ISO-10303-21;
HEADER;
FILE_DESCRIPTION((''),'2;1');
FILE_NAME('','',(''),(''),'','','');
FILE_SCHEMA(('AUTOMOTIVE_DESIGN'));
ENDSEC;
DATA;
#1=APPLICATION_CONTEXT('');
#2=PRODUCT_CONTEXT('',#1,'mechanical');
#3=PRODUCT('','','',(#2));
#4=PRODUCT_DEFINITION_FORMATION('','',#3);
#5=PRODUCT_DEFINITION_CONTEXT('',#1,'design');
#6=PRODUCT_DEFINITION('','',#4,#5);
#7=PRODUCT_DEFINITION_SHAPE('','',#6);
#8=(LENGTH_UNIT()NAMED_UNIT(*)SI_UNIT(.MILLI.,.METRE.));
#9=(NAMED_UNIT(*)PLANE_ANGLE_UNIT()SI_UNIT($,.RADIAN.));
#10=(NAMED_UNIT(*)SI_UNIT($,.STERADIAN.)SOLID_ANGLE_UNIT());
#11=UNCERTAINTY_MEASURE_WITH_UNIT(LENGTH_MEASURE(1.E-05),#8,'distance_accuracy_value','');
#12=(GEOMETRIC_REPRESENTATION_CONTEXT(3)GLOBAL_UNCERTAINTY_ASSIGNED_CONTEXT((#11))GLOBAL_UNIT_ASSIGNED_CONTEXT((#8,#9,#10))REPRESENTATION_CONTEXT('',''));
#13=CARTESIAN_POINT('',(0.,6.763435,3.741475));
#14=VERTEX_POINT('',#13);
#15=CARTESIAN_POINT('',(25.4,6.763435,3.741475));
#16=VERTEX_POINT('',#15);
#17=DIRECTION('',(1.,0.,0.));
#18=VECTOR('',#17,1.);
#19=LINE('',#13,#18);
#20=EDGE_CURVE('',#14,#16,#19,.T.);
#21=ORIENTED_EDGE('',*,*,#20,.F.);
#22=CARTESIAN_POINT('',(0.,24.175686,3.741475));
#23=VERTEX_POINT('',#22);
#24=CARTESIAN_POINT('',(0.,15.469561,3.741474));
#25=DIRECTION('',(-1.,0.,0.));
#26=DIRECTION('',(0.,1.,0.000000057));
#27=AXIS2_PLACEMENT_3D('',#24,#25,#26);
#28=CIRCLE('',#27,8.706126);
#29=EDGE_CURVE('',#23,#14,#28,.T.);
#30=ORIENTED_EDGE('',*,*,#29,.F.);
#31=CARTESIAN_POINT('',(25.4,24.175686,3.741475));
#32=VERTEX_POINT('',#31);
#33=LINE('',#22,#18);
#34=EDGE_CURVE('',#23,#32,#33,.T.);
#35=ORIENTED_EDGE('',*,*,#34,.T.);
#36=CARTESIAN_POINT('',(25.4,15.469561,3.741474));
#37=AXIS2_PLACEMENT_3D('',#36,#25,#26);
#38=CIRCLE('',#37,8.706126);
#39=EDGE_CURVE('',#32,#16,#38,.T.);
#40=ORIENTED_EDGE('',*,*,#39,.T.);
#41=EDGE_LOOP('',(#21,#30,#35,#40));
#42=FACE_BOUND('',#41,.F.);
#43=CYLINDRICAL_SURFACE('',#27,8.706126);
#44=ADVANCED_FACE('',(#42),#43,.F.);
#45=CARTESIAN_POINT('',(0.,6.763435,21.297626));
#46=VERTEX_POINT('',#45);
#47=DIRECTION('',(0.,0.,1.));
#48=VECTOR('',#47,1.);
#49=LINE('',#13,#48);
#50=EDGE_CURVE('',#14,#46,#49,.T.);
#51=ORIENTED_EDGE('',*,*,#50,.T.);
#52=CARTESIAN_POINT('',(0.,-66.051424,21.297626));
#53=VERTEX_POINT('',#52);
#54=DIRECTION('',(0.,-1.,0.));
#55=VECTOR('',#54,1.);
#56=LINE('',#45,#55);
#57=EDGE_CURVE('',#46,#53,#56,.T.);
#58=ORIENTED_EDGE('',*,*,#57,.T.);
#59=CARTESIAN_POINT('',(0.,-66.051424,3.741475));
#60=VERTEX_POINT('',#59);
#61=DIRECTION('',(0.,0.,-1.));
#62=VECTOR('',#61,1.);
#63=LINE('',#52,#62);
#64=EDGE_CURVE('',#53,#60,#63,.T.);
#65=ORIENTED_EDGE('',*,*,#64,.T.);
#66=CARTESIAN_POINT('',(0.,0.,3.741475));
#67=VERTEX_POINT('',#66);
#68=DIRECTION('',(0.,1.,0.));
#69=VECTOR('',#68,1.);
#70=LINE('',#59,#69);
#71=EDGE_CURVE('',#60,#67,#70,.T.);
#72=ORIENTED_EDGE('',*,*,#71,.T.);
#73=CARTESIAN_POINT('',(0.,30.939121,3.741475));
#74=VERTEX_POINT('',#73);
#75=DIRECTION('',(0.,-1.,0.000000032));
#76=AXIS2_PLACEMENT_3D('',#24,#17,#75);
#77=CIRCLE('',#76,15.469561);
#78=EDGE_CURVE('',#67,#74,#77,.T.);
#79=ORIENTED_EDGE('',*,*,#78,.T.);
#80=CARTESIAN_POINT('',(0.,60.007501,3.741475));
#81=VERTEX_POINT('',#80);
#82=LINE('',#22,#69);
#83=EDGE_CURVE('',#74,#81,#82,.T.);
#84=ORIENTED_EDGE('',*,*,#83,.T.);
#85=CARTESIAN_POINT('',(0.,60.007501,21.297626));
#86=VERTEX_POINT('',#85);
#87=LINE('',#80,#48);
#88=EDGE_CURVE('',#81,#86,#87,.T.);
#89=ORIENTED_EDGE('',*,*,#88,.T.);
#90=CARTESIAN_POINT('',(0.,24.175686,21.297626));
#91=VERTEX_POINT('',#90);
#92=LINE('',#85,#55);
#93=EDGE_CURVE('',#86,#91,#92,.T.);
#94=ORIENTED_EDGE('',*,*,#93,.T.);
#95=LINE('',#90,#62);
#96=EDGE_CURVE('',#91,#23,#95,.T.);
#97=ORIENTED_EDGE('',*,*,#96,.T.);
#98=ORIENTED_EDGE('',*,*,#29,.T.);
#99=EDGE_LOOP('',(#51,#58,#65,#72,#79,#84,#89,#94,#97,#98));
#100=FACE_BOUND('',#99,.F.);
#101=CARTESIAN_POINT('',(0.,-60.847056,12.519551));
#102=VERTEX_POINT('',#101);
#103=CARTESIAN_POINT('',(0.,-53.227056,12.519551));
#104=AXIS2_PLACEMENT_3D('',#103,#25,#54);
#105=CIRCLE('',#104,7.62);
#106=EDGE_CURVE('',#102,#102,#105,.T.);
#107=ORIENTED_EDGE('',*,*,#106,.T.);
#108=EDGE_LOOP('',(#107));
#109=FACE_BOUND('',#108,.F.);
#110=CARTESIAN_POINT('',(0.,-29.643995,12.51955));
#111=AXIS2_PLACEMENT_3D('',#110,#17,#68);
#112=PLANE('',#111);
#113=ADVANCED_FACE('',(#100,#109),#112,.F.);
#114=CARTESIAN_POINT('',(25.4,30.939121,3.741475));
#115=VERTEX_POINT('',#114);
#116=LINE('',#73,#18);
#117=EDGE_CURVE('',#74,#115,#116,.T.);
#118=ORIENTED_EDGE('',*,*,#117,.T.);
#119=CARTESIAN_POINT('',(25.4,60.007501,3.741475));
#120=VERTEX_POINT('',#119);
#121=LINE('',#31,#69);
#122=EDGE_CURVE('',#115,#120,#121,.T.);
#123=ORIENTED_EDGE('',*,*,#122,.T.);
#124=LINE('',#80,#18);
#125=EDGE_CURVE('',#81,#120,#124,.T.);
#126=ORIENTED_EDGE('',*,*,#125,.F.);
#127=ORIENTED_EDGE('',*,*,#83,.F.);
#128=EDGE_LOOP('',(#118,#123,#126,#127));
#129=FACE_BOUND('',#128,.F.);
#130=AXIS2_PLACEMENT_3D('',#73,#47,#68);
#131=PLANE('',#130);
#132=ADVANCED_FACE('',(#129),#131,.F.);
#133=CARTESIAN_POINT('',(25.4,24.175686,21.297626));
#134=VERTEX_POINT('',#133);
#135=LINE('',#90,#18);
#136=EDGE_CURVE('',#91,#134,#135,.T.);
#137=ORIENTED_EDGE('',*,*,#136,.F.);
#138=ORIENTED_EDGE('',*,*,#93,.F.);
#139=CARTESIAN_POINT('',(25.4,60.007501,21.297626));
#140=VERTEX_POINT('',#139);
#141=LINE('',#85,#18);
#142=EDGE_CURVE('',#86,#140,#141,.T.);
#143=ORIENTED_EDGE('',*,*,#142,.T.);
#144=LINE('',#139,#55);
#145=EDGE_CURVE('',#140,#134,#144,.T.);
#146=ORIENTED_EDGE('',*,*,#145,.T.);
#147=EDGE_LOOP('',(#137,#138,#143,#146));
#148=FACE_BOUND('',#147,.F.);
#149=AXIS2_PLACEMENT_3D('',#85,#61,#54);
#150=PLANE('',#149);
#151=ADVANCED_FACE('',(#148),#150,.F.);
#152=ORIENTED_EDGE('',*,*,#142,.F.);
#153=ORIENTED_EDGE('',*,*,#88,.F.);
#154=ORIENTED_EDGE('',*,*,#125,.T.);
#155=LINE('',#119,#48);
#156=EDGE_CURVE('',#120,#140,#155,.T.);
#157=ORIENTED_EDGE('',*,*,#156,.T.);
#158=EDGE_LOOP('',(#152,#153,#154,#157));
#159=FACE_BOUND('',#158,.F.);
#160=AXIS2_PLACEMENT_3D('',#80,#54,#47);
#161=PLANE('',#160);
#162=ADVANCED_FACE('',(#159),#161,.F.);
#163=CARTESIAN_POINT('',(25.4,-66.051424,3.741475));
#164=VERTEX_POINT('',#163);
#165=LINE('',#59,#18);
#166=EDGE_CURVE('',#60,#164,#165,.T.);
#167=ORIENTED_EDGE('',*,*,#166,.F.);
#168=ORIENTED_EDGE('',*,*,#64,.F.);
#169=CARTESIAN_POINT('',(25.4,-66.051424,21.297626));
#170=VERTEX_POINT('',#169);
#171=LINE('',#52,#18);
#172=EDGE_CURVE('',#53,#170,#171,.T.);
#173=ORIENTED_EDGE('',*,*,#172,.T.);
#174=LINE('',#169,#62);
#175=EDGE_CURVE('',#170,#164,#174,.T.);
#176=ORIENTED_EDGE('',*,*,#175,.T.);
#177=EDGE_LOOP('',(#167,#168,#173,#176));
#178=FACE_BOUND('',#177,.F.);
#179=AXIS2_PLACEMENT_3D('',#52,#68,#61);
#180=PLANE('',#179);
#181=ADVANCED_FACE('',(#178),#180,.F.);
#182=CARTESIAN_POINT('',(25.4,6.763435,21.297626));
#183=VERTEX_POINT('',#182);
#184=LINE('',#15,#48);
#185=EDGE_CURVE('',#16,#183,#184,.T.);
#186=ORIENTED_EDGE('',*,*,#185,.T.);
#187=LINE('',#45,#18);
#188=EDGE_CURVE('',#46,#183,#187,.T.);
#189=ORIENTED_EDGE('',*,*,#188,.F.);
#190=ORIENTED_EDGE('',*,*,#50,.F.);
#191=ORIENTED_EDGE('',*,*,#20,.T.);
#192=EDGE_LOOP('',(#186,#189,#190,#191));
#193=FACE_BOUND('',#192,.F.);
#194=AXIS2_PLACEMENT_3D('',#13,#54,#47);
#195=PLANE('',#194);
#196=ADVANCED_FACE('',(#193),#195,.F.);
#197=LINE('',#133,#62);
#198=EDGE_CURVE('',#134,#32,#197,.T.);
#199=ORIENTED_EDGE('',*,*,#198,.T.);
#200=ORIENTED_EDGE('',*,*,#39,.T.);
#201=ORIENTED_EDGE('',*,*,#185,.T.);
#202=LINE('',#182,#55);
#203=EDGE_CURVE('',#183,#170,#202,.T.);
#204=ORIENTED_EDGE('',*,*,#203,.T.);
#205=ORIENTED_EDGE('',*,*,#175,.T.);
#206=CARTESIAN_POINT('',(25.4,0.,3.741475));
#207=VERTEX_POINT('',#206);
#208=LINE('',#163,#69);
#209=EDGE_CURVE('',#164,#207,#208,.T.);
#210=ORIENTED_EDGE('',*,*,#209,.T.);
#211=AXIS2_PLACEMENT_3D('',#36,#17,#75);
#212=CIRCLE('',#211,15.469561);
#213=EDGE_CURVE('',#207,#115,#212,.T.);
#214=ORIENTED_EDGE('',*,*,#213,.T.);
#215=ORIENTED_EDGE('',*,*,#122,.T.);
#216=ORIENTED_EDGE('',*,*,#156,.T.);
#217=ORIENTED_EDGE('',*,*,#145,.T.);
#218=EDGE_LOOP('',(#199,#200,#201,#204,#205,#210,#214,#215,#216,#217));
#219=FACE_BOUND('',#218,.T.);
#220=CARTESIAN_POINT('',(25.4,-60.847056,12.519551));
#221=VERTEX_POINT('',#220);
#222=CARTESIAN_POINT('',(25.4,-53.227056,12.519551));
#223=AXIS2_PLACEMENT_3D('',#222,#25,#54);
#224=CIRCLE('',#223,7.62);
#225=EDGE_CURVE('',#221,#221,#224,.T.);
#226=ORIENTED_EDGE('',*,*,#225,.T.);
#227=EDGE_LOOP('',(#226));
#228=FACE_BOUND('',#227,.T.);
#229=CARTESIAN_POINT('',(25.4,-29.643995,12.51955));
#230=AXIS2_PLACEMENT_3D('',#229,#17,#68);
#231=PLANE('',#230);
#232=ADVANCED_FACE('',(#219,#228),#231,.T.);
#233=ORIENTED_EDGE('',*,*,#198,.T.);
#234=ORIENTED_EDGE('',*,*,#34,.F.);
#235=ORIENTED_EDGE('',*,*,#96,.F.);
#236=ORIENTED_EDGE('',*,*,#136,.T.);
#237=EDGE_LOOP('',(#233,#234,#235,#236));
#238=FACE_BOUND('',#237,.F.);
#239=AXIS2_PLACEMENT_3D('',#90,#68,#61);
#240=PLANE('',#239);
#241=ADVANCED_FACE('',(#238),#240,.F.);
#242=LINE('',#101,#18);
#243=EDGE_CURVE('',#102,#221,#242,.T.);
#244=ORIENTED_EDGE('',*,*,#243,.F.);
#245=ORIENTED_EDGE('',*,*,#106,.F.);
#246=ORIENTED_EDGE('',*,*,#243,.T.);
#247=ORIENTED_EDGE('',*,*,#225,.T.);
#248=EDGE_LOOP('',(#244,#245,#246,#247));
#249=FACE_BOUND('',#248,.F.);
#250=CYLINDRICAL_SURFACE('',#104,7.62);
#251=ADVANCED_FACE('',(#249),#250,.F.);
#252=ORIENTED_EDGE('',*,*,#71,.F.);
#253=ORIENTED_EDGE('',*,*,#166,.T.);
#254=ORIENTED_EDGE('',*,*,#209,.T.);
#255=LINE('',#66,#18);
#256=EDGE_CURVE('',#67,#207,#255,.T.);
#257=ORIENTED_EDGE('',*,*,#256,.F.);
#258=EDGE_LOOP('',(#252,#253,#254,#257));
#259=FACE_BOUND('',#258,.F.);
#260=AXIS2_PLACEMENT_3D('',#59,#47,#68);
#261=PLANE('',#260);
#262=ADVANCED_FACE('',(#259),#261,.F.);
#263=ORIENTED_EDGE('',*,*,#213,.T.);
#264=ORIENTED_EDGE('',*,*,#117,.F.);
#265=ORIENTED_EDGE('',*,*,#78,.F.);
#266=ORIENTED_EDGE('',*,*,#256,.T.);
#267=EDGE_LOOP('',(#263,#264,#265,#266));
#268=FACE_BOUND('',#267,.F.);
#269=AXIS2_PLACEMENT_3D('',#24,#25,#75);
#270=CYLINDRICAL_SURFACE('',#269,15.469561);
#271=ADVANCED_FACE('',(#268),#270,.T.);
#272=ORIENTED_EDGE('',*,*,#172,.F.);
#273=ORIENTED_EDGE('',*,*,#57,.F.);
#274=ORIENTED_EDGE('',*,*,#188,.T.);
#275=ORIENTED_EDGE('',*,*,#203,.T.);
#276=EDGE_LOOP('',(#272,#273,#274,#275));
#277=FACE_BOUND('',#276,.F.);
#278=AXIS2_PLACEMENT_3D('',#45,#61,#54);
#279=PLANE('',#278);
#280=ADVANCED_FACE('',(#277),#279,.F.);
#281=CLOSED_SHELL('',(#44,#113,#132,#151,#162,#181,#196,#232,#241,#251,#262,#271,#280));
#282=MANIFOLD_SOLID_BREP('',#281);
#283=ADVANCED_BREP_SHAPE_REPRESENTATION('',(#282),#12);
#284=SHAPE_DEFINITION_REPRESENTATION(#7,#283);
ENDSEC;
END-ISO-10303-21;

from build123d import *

# Parameters (mm, degrees)
F1_DEPTH = 25.4
F2_R     = 7.62
F3_DEPTH = 25.401


with BuildPart() as f1:
    # F0 (on Right) → F1 (new body)
    with BuildSketch(Plane.YZ):
        Polygon((0, 21.297626), (-66.051424, 21.297626), (-66.051424, 3.741475), (0, 3.741475), (6.763435, 3.741475), (6.763435, 8.634172), (6.763435, 21.297626), align=None)
        Polygon((24.175686, 3.741475), (30.939121, 3.741475), (60.007501, 3.741475), (60.007501, 21.297626), (24.175686, 21.297626), align=None)
        with BuildLine():
            Line((6.763435, 3.741475), (0, 3.741475))
            ThreePointArc((0, 3.741475), (15.46956, -11.728086), (30.939121, 3.741475))
            Line((30.939121, 3.741475), (24.175686, 3.741475))
            ThreePointArc((24.175686, 3.741475), (15.46956, -4.964651), (6.763435, 3.741475))
        make_face()
    extrude(amount=F1_DEPTH)

    # F2 (on face) → F3 (cut, through all)
    with BuildSketch(Plane(origin=(0, 0, 0), x_dir=(0, -1, 0), z_dir=(-1, 0, 0))):
        with Locations((53.227056, 12.519551)):
            Circle(F2_R)
    extrude(amount=-F3_DEPTH, mode=Mode.SUBTRACT)


solid = f1.part
